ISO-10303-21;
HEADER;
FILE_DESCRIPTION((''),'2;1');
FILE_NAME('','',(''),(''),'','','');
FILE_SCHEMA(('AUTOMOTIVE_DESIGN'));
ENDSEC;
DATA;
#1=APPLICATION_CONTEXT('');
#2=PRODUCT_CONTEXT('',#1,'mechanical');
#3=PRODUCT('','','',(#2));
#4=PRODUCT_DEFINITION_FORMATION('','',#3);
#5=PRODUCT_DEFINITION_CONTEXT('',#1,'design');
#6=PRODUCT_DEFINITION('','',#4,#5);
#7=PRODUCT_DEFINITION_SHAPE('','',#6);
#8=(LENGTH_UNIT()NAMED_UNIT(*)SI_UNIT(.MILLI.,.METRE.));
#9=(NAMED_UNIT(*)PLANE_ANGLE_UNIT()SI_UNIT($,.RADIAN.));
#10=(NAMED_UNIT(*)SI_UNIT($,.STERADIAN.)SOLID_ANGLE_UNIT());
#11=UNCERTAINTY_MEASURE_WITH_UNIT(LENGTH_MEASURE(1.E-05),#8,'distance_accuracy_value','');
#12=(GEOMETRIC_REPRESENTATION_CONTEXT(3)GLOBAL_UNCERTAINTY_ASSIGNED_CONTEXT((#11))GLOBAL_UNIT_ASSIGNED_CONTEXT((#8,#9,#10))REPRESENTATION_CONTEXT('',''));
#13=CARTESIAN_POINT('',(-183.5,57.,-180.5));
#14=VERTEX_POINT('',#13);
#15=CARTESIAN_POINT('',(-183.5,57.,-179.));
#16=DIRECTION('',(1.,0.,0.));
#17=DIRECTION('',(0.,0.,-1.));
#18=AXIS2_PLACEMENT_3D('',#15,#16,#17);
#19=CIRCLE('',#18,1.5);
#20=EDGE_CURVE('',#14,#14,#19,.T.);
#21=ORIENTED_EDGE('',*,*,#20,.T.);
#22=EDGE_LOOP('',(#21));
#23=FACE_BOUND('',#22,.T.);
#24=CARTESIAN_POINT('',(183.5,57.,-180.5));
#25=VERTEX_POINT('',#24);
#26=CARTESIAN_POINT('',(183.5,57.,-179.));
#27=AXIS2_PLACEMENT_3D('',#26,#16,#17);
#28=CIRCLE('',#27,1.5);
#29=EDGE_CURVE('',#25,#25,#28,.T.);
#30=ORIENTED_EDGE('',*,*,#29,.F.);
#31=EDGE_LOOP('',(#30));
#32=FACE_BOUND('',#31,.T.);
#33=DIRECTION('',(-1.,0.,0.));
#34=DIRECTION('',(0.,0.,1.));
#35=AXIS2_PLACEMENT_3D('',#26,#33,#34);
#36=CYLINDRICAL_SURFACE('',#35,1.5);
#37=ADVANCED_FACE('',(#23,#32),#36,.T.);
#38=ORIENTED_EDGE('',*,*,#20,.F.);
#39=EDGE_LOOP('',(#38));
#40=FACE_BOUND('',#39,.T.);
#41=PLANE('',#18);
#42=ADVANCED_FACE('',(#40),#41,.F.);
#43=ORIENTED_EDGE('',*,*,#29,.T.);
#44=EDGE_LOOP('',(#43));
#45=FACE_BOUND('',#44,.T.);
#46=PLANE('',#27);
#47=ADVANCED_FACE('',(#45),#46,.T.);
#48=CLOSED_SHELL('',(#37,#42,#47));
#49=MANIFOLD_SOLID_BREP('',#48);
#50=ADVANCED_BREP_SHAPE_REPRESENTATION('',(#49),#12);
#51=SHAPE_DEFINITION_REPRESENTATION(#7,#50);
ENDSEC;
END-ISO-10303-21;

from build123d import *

# Parameters (mm, degrees)
SKETCH1_R           = 1.5
BOSS_EXTRUDE1_DEPTH = 183.5


with BuildPart() as part:
    # Sketch1 → Boss-Extrude1 (new, symmetric)
    with BuildSketch(Plane(origin=(0, 0, 0), x_dir=(0, 0, -1), z_dir=(1, 0, 0))):
        with Locations((179, 57)):
            Circle(SKETCH1_R)
    extrude(amount=BOSS_EXTRUDE1_DEPTH, both=True)


solid = part.part
